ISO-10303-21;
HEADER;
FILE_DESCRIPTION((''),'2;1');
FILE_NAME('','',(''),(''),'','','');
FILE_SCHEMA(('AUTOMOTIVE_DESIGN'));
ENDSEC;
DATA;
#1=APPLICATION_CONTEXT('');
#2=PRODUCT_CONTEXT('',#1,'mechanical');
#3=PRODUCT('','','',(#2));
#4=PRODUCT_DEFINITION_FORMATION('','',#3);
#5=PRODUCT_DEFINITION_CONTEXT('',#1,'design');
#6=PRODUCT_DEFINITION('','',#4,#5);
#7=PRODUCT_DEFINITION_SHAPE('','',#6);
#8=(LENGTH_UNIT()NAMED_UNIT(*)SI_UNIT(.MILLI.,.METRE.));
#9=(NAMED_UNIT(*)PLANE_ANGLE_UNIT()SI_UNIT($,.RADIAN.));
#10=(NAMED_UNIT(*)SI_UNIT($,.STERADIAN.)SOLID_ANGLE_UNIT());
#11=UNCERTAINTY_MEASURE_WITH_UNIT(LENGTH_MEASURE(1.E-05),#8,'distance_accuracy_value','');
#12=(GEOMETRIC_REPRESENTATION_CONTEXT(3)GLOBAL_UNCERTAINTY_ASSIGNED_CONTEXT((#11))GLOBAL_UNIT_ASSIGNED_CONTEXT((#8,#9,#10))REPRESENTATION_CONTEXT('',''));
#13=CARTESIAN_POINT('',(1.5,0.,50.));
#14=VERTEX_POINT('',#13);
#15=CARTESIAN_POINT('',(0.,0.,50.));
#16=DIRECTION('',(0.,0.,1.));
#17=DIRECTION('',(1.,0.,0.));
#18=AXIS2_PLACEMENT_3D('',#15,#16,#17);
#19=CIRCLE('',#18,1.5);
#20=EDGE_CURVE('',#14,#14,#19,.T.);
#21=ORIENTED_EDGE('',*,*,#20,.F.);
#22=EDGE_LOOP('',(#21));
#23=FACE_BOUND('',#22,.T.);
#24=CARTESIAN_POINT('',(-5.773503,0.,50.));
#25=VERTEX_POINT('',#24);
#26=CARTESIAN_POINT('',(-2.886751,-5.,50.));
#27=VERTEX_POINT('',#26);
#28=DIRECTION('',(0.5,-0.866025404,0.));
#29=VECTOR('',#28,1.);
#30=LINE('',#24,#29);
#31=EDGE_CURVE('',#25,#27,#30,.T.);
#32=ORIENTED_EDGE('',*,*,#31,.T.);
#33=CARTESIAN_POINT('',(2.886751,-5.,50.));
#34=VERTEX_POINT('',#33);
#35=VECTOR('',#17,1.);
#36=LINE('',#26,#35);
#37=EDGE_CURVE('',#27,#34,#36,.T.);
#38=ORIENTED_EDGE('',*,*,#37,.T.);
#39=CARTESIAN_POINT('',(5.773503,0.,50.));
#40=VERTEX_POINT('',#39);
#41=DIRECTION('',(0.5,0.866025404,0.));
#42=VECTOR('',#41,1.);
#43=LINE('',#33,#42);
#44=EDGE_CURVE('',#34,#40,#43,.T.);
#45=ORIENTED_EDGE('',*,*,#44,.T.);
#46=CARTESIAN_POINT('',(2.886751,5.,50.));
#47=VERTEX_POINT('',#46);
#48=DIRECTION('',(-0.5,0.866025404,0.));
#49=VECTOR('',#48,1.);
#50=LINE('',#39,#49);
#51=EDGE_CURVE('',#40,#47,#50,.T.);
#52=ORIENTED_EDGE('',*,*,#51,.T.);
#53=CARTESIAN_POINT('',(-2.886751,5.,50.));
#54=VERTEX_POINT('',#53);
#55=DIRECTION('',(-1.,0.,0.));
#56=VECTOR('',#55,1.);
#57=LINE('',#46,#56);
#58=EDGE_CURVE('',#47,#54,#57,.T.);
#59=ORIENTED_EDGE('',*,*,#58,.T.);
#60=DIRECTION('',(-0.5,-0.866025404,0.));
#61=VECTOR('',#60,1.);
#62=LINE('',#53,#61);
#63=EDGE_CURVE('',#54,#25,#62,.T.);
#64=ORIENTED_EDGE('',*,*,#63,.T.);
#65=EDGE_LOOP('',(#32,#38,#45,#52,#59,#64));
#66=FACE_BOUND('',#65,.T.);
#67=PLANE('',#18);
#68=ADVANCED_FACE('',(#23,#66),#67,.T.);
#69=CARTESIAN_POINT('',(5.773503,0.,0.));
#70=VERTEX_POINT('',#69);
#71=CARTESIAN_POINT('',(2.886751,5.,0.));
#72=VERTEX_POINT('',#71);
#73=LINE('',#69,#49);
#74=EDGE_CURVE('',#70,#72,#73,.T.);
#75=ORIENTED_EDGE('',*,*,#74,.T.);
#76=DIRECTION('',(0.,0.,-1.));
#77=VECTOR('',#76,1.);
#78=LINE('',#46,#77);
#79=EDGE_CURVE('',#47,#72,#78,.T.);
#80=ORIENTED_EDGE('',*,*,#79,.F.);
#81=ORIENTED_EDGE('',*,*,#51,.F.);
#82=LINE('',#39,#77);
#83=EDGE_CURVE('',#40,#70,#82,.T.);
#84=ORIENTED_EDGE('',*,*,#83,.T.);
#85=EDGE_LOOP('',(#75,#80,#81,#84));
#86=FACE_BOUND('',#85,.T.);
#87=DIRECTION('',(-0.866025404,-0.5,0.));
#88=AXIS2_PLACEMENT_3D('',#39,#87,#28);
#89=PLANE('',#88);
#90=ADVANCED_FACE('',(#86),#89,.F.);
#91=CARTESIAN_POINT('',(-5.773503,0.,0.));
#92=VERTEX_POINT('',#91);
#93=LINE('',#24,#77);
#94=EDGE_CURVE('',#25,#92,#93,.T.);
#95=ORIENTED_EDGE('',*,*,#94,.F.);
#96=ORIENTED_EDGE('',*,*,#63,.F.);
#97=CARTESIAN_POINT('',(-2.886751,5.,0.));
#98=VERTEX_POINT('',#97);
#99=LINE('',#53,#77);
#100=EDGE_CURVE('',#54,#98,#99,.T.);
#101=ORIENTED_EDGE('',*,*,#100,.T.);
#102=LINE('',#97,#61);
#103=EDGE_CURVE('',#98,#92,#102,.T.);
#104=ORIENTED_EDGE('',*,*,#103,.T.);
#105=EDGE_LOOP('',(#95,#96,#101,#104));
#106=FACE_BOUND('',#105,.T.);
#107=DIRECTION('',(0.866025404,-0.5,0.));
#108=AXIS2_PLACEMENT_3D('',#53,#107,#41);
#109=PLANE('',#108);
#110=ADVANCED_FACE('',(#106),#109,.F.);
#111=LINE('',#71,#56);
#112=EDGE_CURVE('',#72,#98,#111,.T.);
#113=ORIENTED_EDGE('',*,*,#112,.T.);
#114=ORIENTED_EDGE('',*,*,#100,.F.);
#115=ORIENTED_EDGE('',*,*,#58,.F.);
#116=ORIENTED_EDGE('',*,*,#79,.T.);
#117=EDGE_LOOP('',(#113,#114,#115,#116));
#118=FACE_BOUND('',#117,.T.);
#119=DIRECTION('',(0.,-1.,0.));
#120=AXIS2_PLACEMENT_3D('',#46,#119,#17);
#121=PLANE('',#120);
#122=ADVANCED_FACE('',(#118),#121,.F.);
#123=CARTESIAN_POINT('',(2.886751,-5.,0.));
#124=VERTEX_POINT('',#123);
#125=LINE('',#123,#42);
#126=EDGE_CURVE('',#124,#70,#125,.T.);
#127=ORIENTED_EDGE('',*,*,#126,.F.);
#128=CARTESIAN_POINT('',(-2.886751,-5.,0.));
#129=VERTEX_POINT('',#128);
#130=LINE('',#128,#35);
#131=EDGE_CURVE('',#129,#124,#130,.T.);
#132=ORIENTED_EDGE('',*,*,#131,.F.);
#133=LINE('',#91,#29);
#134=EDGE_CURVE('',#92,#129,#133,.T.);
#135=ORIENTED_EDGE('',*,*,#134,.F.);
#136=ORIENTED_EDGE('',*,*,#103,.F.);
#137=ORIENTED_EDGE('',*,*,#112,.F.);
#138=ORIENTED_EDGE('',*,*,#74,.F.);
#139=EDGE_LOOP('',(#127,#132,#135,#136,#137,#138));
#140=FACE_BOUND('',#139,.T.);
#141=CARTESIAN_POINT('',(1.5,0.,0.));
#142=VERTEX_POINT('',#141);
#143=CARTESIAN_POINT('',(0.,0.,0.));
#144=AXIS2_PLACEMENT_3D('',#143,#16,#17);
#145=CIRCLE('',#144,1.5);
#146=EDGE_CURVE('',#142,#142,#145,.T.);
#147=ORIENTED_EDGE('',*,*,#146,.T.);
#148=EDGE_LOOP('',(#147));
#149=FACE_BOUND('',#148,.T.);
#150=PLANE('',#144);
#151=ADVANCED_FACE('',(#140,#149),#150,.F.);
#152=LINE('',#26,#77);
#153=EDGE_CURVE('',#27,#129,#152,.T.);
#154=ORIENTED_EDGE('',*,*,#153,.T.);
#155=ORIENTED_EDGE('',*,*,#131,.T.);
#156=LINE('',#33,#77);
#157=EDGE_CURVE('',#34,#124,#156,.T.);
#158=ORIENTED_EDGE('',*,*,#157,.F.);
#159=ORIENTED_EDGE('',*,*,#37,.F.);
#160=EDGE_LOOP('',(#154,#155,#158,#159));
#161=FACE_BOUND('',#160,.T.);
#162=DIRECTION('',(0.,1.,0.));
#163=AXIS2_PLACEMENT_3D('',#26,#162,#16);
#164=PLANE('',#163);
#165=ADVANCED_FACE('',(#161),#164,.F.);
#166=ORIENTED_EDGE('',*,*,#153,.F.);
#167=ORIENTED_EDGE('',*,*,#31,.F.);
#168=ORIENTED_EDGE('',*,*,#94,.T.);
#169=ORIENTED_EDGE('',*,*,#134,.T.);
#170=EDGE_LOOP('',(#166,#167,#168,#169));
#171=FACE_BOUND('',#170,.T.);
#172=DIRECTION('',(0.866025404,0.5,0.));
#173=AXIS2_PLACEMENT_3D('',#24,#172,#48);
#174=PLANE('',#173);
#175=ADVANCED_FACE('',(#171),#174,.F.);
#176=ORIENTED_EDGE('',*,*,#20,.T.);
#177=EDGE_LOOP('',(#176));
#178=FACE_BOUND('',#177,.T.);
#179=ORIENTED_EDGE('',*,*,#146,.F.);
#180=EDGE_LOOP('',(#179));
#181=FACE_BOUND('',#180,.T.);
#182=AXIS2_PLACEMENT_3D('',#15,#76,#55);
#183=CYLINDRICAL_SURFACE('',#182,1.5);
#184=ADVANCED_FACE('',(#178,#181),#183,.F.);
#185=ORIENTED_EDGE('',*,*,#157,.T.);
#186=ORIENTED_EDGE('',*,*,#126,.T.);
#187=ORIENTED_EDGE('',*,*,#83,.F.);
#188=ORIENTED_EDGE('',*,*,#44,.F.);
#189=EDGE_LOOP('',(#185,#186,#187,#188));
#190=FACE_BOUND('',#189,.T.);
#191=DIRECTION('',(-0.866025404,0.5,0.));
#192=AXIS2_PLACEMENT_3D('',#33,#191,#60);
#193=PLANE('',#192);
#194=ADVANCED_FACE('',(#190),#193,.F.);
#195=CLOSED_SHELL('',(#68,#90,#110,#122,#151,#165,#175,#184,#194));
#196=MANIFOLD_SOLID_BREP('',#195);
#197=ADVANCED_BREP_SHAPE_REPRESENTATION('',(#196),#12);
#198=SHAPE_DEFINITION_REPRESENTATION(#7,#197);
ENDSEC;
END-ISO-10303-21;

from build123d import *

# Parameters (mm, degrees)
SKETCH1_R           = 1.5
BOSS_EXTRUDE1_DEPTH = 50


with BuildPart() as part:
    # Sketch1 → Boss-Extrude1 (new body)
    with BuildSketch(Plane.XY):
        Polygon((5.773502692, 0), (2.886751346, 5), (-2.886751346, 5), (-5.773502692, 0), (-2.886751346, -5), (2.886751346, -5), align=None)
        Circle(SKETCH1_R, mode=Mode.SUBTRACT)
    extrude(amount=BOSS_EXTRUDE1_DEPTH)


solid = part.part
